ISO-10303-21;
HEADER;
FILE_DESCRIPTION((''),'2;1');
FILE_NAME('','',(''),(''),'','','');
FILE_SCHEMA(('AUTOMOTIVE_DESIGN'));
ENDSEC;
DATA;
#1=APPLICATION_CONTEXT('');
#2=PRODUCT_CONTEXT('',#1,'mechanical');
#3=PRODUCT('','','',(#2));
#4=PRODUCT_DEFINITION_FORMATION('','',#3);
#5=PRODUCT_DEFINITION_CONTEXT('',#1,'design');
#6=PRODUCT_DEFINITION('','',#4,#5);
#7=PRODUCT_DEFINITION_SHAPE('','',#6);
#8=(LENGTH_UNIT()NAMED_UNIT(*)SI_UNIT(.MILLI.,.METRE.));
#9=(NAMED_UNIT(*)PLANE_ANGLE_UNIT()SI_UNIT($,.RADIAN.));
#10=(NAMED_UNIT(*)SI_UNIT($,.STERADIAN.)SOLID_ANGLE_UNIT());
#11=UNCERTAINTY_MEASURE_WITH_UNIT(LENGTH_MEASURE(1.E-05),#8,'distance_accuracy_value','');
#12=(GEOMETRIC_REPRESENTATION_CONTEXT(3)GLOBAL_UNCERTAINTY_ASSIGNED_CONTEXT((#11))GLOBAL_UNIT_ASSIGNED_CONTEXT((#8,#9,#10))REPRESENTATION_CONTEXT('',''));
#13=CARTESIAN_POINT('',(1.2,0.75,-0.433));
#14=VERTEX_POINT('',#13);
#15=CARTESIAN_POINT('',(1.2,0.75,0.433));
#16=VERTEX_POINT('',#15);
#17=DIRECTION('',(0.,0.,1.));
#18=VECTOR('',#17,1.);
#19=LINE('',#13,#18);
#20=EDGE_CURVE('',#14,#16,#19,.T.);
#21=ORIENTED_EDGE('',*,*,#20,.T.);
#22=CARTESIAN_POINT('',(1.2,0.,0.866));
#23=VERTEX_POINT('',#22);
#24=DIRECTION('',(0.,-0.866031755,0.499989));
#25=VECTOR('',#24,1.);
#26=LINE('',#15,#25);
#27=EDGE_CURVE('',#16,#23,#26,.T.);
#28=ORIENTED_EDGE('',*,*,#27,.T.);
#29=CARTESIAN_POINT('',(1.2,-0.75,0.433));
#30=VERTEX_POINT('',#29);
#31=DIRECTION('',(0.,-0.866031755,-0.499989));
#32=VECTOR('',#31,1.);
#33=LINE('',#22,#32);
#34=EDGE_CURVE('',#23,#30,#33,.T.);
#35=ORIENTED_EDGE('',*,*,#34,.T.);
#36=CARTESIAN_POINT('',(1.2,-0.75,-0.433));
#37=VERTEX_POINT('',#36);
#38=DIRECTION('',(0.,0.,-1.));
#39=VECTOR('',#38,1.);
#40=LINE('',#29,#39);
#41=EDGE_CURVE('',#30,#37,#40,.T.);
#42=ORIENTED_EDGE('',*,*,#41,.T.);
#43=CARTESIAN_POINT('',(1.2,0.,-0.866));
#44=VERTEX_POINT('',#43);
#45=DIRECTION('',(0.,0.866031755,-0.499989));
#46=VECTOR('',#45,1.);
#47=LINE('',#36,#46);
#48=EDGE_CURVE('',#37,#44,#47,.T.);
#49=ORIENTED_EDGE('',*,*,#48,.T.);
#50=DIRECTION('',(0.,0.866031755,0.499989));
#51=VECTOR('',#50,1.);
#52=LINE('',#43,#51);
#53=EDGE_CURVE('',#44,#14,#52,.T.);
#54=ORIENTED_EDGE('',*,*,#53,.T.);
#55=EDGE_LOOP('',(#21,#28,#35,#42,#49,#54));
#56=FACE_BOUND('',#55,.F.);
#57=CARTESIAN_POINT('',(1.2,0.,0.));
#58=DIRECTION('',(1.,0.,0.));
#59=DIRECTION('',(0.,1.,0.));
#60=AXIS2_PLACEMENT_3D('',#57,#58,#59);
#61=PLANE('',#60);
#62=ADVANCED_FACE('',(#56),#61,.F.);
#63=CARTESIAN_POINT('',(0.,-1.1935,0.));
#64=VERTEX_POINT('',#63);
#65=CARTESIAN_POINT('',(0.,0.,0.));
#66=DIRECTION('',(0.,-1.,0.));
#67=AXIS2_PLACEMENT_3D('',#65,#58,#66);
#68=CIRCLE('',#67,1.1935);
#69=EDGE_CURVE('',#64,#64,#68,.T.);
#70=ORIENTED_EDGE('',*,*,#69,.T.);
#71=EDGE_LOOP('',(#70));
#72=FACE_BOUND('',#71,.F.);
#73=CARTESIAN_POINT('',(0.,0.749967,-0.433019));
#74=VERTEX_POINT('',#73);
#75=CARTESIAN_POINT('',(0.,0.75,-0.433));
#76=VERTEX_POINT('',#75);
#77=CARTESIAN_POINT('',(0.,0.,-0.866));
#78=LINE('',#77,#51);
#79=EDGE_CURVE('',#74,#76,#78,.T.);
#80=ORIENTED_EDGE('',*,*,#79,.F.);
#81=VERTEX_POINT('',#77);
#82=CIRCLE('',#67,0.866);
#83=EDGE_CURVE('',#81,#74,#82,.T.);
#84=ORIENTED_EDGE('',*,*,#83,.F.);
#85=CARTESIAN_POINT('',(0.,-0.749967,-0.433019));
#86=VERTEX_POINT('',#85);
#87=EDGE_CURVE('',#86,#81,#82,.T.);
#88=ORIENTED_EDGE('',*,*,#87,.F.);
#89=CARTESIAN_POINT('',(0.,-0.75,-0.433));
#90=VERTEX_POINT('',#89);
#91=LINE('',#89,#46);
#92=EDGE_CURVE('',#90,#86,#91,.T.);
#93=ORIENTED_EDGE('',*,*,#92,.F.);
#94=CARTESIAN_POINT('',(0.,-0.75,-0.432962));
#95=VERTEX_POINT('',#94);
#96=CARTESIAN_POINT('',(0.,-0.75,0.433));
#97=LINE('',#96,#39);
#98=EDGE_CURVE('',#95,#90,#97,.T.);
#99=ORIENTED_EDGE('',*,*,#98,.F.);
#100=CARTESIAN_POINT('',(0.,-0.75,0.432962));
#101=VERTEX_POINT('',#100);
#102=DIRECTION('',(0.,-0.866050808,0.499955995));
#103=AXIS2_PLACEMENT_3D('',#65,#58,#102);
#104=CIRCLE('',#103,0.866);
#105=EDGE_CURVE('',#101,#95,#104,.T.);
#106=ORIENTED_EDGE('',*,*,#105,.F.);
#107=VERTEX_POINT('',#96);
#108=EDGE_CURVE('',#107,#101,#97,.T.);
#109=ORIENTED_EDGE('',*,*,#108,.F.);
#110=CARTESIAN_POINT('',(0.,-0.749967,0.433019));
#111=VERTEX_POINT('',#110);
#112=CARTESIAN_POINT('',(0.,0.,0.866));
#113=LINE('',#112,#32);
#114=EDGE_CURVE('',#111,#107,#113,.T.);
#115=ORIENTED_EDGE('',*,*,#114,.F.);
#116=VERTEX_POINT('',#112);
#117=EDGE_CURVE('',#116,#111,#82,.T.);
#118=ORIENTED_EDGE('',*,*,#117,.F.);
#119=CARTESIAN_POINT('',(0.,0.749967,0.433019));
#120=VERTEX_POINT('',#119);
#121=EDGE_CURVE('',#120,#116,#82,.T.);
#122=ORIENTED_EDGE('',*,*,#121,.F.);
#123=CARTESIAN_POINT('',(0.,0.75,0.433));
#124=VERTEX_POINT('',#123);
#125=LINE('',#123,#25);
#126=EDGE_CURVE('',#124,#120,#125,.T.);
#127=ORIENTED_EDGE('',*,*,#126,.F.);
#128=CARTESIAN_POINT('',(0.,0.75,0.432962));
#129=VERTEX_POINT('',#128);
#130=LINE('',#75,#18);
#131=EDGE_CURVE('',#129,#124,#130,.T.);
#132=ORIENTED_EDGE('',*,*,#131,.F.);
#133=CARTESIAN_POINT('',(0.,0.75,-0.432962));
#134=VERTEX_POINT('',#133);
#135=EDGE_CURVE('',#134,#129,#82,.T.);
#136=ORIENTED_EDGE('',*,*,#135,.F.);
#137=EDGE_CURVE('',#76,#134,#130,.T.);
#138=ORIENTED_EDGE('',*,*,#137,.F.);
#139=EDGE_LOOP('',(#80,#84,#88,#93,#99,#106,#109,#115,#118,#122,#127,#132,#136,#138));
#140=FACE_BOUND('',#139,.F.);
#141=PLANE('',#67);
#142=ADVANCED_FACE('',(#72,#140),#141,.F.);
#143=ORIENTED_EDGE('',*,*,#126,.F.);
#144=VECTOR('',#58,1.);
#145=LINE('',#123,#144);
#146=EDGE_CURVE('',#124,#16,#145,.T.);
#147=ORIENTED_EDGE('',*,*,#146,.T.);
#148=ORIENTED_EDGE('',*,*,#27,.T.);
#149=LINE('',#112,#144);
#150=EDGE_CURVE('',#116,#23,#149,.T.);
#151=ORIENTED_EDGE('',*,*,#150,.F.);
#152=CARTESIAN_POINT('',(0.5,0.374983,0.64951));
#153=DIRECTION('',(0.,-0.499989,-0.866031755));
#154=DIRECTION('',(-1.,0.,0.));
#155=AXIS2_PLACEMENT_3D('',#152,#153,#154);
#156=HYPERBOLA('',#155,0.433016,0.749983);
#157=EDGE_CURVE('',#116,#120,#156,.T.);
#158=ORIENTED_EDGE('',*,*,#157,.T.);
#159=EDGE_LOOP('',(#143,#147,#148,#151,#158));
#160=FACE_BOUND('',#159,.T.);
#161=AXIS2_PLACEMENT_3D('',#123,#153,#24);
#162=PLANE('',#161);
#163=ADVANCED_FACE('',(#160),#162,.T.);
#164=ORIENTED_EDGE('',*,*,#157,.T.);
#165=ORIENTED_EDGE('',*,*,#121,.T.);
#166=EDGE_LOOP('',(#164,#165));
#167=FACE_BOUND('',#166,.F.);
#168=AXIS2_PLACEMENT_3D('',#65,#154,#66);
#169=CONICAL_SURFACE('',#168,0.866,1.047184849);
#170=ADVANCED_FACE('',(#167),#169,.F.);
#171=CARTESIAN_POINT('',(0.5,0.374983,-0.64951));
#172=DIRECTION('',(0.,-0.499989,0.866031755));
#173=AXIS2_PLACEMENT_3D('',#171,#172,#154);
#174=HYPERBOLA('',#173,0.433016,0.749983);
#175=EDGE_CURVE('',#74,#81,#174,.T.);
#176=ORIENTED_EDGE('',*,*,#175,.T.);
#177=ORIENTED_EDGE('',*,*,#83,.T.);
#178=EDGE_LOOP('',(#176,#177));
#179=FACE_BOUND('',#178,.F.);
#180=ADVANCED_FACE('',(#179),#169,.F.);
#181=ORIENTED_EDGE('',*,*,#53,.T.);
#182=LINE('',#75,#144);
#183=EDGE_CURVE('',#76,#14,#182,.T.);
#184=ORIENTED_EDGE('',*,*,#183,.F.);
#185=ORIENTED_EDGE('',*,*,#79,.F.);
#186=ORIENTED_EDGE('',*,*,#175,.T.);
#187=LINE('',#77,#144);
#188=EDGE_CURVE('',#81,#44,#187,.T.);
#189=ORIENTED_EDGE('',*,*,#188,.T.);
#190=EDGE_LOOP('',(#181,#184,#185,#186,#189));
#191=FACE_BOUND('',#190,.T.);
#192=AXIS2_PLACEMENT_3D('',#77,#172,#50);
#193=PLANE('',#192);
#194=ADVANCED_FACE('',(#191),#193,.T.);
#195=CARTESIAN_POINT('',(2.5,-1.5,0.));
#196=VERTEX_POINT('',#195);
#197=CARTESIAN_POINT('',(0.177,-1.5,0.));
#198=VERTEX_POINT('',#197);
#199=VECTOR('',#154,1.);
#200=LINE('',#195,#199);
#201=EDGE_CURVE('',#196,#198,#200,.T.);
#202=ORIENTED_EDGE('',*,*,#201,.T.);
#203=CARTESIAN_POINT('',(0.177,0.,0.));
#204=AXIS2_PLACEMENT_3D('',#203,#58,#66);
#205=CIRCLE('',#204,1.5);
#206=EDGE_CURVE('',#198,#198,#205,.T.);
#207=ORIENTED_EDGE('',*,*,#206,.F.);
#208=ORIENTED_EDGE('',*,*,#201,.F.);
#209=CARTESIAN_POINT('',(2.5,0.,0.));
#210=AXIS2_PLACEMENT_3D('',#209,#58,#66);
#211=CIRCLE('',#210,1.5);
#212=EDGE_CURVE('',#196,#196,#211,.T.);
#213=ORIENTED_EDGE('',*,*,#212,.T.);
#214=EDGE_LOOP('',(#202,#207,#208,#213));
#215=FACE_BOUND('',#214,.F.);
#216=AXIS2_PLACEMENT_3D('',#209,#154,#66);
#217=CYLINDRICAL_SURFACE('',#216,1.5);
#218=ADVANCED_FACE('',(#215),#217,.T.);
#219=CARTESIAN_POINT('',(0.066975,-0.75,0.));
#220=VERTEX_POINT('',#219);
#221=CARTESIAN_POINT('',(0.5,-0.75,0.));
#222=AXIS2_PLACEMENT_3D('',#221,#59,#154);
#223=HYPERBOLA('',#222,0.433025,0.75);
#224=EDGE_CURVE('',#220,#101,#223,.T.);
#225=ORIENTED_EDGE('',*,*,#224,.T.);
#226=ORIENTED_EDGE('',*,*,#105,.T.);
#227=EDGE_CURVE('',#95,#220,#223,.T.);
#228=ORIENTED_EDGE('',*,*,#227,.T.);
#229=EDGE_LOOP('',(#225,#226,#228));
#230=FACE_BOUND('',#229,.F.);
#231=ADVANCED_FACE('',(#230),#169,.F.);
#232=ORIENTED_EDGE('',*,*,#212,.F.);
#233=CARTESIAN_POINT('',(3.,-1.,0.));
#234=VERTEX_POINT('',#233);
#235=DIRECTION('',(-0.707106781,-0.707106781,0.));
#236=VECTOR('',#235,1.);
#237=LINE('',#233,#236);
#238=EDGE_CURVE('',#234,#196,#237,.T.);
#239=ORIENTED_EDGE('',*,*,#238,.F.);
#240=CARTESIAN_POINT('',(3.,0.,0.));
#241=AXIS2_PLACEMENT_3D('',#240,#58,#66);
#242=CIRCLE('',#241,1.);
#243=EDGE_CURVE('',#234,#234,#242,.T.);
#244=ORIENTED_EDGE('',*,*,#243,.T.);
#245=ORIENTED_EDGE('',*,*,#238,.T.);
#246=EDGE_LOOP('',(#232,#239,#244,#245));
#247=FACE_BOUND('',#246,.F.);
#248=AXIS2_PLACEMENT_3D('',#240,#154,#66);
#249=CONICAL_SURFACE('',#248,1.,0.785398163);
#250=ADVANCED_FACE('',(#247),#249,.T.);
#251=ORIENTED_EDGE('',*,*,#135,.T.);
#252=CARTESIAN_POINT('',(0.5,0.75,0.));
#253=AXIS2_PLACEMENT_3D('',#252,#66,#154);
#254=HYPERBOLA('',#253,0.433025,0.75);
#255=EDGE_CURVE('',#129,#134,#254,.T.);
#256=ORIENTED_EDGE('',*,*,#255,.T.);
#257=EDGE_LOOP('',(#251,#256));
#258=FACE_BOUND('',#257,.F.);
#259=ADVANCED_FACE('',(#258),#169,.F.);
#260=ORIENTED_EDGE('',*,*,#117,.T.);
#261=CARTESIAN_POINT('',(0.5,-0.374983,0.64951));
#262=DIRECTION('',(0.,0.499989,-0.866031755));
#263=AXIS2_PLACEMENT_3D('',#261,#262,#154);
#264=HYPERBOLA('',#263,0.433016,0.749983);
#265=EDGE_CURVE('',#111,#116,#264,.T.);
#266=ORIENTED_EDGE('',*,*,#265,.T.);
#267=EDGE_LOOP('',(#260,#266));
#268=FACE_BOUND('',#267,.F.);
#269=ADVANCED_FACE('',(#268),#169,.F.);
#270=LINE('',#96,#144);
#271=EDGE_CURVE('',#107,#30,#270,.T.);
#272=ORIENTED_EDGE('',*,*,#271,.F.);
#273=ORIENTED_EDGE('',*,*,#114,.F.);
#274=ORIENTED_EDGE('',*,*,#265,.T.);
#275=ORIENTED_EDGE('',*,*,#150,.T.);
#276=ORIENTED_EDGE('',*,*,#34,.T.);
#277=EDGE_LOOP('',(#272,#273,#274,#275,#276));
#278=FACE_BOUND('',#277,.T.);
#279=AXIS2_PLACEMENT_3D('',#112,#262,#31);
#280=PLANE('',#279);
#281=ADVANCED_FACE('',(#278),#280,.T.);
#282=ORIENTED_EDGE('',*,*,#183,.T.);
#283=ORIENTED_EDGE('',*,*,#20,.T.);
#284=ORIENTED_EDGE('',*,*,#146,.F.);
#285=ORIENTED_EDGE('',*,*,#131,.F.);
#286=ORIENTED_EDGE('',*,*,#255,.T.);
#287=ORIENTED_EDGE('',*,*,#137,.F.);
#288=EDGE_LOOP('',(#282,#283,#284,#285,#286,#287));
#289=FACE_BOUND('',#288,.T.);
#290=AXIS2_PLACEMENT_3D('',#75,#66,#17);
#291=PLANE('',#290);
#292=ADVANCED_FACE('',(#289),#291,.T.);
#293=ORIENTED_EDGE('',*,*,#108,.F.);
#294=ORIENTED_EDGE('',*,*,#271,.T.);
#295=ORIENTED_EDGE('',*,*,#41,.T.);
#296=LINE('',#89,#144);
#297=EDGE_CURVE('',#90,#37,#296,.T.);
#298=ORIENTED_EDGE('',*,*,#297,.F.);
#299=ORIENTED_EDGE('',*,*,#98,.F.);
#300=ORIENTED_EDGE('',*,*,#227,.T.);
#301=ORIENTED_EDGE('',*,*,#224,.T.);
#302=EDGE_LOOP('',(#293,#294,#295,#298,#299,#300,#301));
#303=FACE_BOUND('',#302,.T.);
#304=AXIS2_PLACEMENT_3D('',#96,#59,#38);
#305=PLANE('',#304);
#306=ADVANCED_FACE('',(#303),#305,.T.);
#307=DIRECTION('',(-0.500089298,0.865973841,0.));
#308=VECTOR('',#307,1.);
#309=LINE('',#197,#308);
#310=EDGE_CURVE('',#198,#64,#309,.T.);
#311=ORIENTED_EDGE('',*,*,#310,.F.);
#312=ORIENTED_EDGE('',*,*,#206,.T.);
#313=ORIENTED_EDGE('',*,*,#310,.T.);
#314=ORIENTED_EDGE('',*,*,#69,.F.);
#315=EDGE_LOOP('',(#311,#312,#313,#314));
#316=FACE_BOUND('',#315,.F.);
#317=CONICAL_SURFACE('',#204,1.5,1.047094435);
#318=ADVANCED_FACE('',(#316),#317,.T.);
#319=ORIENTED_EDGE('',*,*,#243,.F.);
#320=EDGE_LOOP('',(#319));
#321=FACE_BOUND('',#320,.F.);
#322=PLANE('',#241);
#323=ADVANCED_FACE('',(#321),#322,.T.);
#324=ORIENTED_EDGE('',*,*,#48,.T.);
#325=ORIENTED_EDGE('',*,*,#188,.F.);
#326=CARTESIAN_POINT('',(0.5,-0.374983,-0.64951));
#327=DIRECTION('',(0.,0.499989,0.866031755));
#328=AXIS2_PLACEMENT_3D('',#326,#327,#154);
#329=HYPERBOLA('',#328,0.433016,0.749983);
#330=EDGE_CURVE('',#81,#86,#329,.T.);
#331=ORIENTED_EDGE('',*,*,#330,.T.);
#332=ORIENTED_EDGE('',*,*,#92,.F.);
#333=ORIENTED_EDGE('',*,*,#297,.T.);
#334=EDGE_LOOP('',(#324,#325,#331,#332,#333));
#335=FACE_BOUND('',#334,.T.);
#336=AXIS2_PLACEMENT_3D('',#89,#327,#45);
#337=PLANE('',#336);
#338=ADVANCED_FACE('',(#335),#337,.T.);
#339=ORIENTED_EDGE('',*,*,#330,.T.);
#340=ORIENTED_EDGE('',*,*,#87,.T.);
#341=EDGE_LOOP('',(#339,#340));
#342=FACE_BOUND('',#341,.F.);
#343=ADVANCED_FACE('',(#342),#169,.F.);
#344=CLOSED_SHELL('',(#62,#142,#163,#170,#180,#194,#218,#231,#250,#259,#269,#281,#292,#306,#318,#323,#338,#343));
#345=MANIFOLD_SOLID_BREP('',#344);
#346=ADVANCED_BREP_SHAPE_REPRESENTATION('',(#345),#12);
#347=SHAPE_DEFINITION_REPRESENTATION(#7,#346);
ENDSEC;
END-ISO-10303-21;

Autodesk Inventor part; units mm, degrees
sketch "Sketch_1" plane through (0, 0, 0) normal (0, 0, 1) x (1, 0, 0)
  line L0 (0.5, 0) -> (3, 0)
  line L1 (3, 0) -> (3, -1)
  line L2 (3, -1) -> (2.5, -1.5)
  line L3 (2.5, -1.5) -> (0.177, -1.5)
  line L4 (0.177, -1.5) -> (0, -1.1935)
  line L5 (0, -1.1935) -> (0, -0.866)
  line L6 (0, -0.866) -> (0.5, 0)
  line L7 (0.5, 0) -> (3, 0)
revolve "Revolution1" add sketch "Sketch_1" angle 360 about axis through (0.5, 0, 0) along (1, 0, 0)
thread "Thread1" size "M3x0.5" class "6g" standard "ISO Metric profile" full length
sketch "Sketch_2" plane through (0, 0, 0) normal (1, 0, 0) x (0, 1, 0)
  line L0 (0, 0.866) -> (-0.75, 0.433)
  line L1 (-0.75, 0.433) -> (-0.75, -0.433)
  line L2 (-0.75, -0.433) -> (0, -0.866)
  line L3 (0, -0.866) -> (0.75, -0.433)
  line L4 (0.75, -0.433) -> (0.75, 0.433)
  line L5 (0.75, 0.433) -> (0, 0.866)
extrude "Extrusion1" cut sketch "Sketch_2" along normal blind 1.2
ref_plane "IP1_XY" through (0, 0, 0) normal (1, 0, 0) x (0, 0, -1)
ref_plane "IP1_YZ" through (0, 0, 0) normal (0, 0, -1) x (0, 1, 0)
ref_plane "IP1_ZX" through (0, 0, 0) normal (0, 1, 0) x (1, 0, 0)
ref_plane "IP2_XY" through (3, 0, 0) normal (1, 0, 0) x (0, 0, -1)
ref_plane "IP2_YZ" through (3, 0, 0) normal (0, 0, -1) x (0, 1, 0)
ref_plane "IP2_ZX" through (3, 0, 0) normal (0, 1, 0) x (1, 0, 0)
properties part number "DIN-913 - M3x3"
